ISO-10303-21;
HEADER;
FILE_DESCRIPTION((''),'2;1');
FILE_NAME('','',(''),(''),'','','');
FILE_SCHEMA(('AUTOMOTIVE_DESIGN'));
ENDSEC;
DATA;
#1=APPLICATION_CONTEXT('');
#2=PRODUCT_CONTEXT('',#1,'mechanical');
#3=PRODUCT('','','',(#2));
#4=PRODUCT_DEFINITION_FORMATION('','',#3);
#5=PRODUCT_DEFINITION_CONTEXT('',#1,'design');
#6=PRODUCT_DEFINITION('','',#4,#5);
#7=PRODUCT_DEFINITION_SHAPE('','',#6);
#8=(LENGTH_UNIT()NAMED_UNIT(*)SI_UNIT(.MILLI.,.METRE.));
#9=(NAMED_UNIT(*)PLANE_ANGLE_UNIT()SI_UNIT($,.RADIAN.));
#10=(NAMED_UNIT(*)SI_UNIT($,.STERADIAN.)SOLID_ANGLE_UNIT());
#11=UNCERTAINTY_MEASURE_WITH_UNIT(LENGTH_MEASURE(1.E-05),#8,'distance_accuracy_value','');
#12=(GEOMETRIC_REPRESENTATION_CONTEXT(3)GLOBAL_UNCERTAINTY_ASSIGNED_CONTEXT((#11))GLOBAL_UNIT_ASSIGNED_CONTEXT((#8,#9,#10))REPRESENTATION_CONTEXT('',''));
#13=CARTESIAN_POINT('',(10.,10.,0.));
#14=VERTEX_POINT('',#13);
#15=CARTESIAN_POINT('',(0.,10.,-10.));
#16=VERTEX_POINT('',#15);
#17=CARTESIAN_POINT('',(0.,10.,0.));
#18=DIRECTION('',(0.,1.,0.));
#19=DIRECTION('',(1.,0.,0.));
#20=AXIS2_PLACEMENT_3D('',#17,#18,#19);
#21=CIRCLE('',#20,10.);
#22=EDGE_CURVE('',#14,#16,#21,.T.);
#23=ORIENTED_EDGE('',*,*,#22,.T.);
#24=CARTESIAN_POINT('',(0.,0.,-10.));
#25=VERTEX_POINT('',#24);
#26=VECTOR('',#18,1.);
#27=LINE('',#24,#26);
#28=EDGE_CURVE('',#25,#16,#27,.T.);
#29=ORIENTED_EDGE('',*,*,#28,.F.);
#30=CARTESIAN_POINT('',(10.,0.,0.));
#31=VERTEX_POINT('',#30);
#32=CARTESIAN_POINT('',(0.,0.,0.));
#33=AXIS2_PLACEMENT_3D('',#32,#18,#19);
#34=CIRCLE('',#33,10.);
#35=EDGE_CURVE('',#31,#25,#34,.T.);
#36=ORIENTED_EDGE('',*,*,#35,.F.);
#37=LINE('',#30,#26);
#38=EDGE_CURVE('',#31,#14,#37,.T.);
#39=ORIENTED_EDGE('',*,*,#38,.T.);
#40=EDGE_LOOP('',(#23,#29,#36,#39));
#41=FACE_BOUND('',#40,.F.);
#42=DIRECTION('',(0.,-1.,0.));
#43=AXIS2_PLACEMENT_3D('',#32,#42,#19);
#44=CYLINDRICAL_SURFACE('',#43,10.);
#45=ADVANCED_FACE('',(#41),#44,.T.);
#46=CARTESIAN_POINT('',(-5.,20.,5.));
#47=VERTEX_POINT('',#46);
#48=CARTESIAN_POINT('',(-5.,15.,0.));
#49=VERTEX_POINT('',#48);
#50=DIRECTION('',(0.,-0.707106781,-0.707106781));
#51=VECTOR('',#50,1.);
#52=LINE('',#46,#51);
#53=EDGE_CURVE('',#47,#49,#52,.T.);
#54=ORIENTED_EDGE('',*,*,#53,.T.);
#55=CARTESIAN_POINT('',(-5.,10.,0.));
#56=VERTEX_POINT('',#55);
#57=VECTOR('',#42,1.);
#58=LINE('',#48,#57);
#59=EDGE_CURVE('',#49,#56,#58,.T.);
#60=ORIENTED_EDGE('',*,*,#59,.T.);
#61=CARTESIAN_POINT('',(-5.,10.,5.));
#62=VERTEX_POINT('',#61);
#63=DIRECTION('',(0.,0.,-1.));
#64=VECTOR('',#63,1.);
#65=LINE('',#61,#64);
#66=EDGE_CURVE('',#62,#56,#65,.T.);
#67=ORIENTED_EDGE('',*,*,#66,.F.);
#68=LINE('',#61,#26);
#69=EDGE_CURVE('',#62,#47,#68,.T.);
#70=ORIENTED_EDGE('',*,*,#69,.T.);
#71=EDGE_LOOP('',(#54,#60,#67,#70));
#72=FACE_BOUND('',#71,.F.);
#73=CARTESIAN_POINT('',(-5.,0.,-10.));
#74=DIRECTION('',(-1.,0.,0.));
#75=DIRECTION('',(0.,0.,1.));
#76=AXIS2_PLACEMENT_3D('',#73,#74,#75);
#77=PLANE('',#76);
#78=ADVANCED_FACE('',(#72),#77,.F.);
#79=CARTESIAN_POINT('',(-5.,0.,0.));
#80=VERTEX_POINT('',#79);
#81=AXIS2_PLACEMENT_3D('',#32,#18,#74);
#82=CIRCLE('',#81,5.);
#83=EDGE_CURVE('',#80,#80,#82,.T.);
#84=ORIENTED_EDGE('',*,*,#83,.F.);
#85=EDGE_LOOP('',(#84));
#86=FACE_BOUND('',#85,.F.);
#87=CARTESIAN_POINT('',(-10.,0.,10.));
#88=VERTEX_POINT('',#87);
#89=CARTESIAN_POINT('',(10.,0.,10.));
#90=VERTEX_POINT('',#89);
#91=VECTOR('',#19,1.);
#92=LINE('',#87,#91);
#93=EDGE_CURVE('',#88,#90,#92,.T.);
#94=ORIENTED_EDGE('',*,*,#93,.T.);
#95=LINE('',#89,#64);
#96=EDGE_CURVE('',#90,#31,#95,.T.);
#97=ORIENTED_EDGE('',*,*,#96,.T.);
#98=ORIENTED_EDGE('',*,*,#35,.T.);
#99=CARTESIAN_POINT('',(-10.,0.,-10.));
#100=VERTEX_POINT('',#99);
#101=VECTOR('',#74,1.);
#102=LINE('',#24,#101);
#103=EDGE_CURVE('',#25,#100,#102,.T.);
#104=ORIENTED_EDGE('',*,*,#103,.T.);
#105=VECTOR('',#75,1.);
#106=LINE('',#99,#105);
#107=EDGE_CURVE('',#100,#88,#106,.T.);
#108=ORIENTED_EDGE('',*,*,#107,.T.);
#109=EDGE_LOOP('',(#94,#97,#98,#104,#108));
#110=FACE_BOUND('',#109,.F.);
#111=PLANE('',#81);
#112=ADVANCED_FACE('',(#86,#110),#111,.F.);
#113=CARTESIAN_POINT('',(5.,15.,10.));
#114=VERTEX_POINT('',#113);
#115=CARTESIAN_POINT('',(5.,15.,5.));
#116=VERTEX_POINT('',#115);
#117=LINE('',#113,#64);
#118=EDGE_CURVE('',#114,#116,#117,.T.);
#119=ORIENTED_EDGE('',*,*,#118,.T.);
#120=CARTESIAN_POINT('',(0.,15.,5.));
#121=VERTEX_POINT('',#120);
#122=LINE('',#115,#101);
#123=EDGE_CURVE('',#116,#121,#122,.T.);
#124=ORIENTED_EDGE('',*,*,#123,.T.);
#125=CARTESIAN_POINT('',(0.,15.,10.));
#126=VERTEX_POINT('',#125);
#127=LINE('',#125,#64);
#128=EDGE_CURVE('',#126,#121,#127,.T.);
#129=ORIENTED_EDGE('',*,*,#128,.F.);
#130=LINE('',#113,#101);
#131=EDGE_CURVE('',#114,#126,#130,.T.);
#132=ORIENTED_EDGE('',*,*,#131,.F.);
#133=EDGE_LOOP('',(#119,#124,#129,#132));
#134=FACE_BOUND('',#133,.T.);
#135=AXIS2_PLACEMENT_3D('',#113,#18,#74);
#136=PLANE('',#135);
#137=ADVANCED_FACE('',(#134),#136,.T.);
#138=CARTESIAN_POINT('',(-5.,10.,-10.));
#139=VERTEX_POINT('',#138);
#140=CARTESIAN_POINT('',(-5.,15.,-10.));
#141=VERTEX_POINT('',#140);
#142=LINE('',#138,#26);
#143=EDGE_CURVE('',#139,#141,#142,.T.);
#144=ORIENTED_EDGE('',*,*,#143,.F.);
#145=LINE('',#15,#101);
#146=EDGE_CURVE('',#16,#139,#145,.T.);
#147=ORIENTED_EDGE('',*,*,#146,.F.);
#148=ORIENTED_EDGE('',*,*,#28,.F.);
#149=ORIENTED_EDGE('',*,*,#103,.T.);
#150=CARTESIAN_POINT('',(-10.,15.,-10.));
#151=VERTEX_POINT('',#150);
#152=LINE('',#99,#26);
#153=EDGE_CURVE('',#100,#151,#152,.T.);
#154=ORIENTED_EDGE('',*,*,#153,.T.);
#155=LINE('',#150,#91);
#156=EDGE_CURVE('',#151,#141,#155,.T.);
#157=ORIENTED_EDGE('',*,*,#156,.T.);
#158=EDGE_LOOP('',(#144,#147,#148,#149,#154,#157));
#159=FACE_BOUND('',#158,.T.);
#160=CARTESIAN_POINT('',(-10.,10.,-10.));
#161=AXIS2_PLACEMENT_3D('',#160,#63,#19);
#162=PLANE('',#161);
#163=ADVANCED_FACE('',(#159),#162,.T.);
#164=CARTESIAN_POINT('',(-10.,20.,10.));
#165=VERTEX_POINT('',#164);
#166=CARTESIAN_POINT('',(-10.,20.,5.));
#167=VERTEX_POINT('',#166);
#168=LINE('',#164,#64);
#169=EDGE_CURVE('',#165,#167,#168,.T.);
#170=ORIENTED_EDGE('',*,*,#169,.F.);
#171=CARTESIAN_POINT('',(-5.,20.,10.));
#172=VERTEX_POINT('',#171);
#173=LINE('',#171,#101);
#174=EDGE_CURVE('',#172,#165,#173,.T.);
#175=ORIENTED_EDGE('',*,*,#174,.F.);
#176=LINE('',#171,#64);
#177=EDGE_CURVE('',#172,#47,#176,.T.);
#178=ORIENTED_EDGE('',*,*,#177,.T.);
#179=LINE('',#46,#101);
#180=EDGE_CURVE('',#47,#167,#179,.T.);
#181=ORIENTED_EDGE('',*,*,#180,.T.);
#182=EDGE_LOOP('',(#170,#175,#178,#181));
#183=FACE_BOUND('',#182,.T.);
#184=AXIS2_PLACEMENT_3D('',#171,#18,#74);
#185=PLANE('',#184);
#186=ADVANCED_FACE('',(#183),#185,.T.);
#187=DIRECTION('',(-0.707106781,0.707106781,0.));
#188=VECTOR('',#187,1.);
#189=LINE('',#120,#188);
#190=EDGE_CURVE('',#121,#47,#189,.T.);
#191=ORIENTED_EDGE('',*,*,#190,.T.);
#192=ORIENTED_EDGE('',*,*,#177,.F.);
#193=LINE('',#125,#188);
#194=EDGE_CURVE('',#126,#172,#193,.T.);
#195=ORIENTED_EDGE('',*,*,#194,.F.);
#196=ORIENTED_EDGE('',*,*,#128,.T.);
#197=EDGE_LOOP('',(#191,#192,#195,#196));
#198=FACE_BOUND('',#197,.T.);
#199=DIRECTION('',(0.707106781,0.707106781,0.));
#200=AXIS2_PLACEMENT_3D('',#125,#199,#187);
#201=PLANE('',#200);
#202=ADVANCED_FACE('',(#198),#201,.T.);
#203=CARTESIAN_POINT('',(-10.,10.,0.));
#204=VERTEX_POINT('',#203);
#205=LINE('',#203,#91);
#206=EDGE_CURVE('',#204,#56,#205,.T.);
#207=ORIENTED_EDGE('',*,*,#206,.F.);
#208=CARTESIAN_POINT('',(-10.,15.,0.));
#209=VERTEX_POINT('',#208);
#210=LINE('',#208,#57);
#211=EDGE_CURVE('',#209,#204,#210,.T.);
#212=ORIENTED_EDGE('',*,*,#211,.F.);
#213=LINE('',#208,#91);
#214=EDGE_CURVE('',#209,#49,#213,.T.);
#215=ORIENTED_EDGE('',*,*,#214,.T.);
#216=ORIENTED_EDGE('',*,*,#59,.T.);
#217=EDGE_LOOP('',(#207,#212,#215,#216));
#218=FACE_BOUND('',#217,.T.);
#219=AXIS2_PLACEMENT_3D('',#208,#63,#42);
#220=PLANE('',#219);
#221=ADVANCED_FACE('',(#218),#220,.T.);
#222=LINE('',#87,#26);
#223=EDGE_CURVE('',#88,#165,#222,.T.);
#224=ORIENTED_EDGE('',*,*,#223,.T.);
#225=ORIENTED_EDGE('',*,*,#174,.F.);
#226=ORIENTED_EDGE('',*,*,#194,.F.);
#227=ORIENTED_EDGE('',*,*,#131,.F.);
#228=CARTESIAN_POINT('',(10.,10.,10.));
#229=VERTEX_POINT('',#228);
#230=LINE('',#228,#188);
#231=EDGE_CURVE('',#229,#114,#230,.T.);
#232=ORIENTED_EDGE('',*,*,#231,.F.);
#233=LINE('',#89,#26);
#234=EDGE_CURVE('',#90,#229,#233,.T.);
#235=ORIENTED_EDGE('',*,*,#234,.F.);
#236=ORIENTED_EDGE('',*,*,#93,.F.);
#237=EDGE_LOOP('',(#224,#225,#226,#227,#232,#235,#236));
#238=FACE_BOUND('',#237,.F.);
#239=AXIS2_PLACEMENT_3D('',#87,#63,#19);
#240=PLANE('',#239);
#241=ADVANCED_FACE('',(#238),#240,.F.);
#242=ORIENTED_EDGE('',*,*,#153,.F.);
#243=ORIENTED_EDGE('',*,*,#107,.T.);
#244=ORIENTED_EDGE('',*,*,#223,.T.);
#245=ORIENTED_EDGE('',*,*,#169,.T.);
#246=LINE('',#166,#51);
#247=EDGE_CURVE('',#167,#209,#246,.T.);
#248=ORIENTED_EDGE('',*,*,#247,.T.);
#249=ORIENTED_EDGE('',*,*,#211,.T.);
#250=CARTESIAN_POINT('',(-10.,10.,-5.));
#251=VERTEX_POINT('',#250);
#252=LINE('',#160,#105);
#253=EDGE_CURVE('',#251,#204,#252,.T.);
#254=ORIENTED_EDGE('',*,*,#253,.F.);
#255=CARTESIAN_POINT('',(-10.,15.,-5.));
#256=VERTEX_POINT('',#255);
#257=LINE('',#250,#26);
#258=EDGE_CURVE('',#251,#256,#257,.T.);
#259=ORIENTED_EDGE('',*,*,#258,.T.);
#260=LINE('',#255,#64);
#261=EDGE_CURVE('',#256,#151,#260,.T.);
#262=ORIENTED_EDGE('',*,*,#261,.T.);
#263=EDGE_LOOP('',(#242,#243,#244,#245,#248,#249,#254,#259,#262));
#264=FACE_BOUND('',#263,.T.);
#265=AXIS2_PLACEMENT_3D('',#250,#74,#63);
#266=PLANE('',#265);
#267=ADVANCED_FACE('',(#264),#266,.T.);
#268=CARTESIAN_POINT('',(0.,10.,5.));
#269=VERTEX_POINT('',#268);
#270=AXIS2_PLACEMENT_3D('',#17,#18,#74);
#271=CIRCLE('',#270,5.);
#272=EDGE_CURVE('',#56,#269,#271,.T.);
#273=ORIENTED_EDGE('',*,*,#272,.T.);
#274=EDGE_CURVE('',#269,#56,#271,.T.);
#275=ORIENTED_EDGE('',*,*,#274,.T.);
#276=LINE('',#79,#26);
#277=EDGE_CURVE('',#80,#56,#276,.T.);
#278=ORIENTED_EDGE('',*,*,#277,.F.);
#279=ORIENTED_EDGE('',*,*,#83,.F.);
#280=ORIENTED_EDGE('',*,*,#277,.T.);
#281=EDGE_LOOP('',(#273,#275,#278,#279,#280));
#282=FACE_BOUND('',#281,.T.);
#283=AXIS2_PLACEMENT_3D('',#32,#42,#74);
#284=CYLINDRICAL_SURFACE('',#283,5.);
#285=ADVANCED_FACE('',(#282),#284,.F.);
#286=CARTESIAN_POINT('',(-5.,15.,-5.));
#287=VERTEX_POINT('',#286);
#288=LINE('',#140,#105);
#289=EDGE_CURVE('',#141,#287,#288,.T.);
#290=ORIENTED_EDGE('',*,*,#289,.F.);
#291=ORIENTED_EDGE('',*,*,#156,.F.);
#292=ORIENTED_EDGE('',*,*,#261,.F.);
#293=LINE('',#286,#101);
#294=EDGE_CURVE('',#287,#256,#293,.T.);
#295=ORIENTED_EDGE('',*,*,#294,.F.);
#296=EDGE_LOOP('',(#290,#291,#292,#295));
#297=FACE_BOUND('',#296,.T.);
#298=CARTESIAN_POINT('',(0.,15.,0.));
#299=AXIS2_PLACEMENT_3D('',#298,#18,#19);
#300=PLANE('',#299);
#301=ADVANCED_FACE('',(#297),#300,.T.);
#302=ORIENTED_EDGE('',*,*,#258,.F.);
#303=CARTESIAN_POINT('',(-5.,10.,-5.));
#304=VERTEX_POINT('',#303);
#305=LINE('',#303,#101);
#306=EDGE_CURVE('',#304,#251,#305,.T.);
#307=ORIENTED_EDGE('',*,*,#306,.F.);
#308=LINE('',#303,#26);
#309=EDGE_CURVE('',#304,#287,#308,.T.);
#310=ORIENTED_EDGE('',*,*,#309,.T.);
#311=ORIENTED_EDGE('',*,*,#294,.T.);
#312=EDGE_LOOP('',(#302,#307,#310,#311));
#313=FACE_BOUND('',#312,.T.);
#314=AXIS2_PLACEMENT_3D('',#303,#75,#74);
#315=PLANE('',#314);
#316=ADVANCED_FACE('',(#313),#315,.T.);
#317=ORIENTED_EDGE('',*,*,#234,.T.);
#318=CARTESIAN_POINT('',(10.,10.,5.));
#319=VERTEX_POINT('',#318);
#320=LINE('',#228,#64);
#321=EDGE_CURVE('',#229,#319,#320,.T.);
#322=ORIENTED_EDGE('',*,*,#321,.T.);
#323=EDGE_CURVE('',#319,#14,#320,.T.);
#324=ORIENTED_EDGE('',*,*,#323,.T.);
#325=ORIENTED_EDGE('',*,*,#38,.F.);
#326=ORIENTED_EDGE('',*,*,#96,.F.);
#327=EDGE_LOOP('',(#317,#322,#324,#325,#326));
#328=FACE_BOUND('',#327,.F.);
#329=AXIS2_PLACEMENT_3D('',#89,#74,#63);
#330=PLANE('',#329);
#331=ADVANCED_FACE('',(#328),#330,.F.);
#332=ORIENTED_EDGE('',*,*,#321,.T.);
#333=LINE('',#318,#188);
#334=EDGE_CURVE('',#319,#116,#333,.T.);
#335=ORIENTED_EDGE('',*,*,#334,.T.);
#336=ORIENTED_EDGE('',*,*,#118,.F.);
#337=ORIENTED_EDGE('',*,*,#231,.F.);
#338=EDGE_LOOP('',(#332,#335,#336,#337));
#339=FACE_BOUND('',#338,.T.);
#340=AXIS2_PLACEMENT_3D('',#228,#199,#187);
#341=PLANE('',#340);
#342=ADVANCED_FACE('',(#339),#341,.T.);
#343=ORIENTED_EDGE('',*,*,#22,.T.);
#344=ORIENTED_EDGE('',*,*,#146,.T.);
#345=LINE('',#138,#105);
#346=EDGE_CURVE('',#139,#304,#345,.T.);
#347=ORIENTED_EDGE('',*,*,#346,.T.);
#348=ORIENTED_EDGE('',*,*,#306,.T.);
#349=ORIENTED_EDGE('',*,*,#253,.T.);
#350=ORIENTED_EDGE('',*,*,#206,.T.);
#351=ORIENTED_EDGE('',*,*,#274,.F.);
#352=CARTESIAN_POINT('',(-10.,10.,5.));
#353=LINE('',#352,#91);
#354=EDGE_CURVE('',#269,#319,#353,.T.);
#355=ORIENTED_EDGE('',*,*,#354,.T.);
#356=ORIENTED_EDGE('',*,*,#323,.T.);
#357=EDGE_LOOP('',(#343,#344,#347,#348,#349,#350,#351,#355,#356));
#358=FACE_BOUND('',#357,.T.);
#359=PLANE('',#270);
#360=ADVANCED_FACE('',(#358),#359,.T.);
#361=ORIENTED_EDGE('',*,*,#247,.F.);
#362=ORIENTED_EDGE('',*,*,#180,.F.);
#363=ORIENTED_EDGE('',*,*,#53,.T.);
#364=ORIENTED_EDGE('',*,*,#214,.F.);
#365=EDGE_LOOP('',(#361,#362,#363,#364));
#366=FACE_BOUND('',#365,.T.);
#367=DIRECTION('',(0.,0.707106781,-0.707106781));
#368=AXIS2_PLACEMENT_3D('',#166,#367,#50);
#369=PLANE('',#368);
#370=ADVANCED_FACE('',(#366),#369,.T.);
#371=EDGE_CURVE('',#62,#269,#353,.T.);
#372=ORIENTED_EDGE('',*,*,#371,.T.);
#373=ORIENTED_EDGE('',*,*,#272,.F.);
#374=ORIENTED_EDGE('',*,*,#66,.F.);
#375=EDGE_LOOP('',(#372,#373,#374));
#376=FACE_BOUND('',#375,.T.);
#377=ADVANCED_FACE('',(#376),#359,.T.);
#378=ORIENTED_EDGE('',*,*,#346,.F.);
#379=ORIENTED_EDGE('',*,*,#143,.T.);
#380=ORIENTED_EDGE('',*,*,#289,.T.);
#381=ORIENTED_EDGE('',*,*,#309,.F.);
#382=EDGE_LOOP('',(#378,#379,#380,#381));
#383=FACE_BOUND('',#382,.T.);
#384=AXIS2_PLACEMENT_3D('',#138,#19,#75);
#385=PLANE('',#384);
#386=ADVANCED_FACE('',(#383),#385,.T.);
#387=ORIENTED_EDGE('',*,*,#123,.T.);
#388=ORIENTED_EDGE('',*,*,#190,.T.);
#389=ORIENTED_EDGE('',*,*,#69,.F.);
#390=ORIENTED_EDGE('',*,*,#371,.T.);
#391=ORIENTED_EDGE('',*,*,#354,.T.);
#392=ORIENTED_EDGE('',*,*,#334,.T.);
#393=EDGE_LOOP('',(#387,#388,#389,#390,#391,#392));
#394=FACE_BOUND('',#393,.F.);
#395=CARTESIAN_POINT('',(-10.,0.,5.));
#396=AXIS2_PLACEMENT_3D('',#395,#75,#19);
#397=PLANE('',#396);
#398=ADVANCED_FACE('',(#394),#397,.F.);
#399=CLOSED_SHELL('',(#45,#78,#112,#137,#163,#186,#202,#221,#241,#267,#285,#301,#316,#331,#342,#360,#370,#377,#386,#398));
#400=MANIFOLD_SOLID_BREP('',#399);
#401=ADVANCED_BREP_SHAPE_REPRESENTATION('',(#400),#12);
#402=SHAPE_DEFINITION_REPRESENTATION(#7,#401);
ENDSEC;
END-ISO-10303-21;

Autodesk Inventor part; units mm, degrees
ref_plane "YZ Plane" through (0, 0, 0) normal (1, 0, 0) x (0, 1, 0)
ref_plane "XZ Plane" through (0, 0, 0) normal (0, 1, 0) x (-1, 0, 0)
ref_plane "XY Plane" through (0, 0, 0) normal (0, 0, 1) x (1, 0, 0)
sketch "草圖2" plane through (0, 0, 0) normal (0, 1, 0) x (-1, 0, 0)
  line L0 (10, 10) -> (-10, 10)
  line L1 (-10, 10) -> (-10, 0)
  line L2 (-10, -10) -> (0, -10) construction
  line L3 (10, -10) -> (10, 10)
  arc A0 (-10, 0) -> (0, -10) centre (0, 0) ccw
  line L4 (-10, 0) -> (-10, -10) construction
  line L5 (0, -10) -> (10, -10)
  circle A1 centre (0, 0) radius 5
  point P0 (0, 0)
  point P1 (10, 0)
  dimension "d2" = 20
  dimension "d3" = 20
  dimension "d4" = 10
  dimension "d5" = 10
  dimension "d6" = 10
extrude "擠出1" add sketch "草圖2" along normal blind 10
sketch "草圖3" plane through (-10, 0, 10) normal (0, 0, 1) x (1, 0, 0)
  line L0 (0, 10) -> (20, 10) projected
  line L1 (20, 10) -> (15, 15)
  line L2 (15, 15) -> (10, 15)
  line L3 (10, 15) -> (5, 20)
  line L4 (5, 20) -> (0, 20)
  line L5 (0, 20) -> (0, 10)
  point P0 (10, 0)
  dimension "d9" = 5
  dimension "d10" = 5
  dimension "d11" = 5
  dimension "d12" = 5
  dimension "d13" = 10
extrude "擠出2" add sketch "草圖3" against normal blind 5
sketch "草圖4" plane through (-10, 0, -10) normal (-1, 0, 0) x (0, 0, 1)
  line L0 (15, 10) -> (15, 20) projected
  line L1 (15, 20) -> (10, 15)
  line L2 (10, 15) -> (10, 10)
  line L3 (10, 0) -> (10, 10) projected
  line L4 (15, 10) -> (10, 10)
  dimension "d16" = 5
  dimension "d17" = 5
extrude "擠出3" add sketch "草圖4" against normal blind 5
sketch "草圖5" plane through (0, 10, 0) normal (0, 1, 0) x (1, 0, 0)
  line L0 (-10, 10) -> (-5, 10)
  line L1 (-5, 10) -> (-5, 5)
  line L2 (-5, 5) -> (-10, 5)
  line L3 (-10, 5) -> (-10, 10)
  line L4 (-5, 0) -> (-5, -5) projected
  point P0 (0, 0)
  dimension "d20" = 5
  dimension "d21" = 5
extrude "擠出4" add sketch "草圖5" along normal blind 5
properties part number "20"
